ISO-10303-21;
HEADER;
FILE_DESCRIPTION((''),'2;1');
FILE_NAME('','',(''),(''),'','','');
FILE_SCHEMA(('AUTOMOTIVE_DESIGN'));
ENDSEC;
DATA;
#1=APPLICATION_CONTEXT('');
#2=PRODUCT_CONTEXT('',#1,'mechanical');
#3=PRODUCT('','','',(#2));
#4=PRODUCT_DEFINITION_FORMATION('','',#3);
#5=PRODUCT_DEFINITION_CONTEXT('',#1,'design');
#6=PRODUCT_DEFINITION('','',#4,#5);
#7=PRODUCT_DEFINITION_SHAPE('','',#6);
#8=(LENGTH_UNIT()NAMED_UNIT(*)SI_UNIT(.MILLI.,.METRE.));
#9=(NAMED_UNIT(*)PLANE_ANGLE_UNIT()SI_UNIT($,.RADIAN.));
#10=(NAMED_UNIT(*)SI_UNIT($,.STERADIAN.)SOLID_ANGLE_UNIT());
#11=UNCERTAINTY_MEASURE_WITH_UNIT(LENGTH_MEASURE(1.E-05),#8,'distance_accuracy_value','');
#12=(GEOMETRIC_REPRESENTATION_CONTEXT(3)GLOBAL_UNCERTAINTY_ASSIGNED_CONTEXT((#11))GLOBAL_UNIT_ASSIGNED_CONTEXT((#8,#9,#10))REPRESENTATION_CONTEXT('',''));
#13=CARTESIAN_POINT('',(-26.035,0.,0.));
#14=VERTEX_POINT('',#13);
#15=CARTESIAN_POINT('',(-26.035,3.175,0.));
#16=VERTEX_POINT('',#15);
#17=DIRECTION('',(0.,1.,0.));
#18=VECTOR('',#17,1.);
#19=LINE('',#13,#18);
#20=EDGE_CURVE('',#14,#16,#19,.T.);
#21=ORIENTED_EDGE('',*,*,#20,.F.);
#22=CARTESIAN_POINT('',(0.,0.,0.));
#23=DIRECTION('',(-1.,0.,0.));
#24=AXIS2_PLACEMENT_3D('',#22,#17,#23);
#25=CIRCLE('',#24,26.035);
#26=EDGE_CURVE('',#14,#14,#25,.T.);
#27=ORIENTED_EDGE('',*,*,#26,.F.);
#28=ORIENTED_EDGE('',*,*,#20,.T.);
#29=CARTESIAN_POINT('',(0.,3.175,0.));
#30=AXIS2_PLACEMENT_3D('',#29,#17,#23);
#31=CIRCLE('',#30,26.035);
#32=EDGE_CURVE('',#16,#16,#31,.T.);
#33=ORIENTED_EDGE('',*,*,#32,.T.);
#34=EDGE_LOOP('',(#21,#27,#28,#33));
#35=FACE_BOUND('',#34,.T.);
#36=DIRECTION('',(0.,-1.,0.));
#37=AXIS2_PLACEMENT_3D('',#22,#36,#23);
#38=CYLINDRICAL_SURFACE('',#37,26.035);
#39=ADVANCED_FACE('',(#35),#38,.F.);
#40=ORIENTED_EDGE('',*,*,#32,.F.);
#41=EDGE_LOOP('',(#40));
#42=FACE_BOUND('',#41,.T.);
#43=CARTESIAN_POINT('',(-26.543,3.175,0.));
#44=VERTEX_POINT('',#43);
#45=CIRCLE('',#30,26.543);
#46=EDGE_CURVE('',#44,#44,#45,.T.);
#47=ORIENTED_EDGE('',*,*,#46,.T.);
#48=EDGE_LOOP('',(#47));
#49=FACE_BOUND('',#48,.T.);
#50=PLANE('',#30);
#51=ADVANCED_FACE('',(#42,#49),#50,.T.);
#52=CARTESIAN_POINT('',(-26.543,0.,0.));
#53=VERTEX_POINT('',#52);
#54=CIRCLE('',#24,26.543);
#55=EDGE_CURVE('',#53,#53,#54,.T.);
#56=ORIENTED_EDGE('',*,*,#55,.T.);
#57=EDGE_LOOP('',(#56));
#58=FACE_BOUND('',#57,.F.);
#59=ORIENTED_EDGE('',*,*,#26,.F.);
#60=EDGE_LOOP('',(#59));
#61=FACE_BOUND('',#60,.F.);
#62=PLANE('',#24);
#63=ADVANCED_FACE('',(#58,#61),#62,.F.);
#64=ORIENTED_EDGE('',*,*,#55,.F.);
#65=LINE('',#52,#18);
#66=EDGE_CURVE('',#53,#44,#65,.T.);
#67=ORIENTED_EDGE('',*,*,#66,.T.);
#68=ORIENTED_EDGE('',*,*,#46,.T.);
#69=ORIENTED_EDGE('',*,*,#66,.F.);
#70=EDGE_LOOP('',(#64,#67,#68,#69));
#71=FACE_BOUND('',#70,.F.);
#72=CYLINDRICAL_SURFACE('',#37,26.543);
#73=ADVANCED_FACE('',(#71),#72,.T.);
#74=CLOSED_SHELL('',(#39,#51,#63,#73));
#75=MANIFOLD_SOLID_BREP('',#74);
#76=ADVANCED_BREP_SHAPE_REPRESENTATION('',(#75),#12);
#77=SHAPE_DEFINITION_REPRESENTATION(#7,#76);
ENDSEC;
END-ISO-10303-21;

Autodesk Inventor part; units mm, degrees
ref_plane "YZ Plane" through (0, 0, 0) normal (1, 0, 0) x (0, 1, 0)
ref_plane "XZ Plane" through (0, 0, 0) normal (0, 1, 0) x (-1, 0, 0)
ref_plane "XY Plane" through (0, 0, 0) normal (0, 0, 1) x (1, 0, 0)
sketch "Sketch1" plane through (0, 0, 0) normal (0, 1, 0) x (-1, 0, 0)
  circle A0 centre (0, 0) radius 26.035
  circle A1 centre (0, 0) radius 26.543
  dimension "d0" = 52.07
  dimension "d1" = 0.508
extrude "Extrusion1" add sketch "Sketch1" along normal blind 3.175
properties part number "PoleWrap" material "Aluminum 6061-AHC"
